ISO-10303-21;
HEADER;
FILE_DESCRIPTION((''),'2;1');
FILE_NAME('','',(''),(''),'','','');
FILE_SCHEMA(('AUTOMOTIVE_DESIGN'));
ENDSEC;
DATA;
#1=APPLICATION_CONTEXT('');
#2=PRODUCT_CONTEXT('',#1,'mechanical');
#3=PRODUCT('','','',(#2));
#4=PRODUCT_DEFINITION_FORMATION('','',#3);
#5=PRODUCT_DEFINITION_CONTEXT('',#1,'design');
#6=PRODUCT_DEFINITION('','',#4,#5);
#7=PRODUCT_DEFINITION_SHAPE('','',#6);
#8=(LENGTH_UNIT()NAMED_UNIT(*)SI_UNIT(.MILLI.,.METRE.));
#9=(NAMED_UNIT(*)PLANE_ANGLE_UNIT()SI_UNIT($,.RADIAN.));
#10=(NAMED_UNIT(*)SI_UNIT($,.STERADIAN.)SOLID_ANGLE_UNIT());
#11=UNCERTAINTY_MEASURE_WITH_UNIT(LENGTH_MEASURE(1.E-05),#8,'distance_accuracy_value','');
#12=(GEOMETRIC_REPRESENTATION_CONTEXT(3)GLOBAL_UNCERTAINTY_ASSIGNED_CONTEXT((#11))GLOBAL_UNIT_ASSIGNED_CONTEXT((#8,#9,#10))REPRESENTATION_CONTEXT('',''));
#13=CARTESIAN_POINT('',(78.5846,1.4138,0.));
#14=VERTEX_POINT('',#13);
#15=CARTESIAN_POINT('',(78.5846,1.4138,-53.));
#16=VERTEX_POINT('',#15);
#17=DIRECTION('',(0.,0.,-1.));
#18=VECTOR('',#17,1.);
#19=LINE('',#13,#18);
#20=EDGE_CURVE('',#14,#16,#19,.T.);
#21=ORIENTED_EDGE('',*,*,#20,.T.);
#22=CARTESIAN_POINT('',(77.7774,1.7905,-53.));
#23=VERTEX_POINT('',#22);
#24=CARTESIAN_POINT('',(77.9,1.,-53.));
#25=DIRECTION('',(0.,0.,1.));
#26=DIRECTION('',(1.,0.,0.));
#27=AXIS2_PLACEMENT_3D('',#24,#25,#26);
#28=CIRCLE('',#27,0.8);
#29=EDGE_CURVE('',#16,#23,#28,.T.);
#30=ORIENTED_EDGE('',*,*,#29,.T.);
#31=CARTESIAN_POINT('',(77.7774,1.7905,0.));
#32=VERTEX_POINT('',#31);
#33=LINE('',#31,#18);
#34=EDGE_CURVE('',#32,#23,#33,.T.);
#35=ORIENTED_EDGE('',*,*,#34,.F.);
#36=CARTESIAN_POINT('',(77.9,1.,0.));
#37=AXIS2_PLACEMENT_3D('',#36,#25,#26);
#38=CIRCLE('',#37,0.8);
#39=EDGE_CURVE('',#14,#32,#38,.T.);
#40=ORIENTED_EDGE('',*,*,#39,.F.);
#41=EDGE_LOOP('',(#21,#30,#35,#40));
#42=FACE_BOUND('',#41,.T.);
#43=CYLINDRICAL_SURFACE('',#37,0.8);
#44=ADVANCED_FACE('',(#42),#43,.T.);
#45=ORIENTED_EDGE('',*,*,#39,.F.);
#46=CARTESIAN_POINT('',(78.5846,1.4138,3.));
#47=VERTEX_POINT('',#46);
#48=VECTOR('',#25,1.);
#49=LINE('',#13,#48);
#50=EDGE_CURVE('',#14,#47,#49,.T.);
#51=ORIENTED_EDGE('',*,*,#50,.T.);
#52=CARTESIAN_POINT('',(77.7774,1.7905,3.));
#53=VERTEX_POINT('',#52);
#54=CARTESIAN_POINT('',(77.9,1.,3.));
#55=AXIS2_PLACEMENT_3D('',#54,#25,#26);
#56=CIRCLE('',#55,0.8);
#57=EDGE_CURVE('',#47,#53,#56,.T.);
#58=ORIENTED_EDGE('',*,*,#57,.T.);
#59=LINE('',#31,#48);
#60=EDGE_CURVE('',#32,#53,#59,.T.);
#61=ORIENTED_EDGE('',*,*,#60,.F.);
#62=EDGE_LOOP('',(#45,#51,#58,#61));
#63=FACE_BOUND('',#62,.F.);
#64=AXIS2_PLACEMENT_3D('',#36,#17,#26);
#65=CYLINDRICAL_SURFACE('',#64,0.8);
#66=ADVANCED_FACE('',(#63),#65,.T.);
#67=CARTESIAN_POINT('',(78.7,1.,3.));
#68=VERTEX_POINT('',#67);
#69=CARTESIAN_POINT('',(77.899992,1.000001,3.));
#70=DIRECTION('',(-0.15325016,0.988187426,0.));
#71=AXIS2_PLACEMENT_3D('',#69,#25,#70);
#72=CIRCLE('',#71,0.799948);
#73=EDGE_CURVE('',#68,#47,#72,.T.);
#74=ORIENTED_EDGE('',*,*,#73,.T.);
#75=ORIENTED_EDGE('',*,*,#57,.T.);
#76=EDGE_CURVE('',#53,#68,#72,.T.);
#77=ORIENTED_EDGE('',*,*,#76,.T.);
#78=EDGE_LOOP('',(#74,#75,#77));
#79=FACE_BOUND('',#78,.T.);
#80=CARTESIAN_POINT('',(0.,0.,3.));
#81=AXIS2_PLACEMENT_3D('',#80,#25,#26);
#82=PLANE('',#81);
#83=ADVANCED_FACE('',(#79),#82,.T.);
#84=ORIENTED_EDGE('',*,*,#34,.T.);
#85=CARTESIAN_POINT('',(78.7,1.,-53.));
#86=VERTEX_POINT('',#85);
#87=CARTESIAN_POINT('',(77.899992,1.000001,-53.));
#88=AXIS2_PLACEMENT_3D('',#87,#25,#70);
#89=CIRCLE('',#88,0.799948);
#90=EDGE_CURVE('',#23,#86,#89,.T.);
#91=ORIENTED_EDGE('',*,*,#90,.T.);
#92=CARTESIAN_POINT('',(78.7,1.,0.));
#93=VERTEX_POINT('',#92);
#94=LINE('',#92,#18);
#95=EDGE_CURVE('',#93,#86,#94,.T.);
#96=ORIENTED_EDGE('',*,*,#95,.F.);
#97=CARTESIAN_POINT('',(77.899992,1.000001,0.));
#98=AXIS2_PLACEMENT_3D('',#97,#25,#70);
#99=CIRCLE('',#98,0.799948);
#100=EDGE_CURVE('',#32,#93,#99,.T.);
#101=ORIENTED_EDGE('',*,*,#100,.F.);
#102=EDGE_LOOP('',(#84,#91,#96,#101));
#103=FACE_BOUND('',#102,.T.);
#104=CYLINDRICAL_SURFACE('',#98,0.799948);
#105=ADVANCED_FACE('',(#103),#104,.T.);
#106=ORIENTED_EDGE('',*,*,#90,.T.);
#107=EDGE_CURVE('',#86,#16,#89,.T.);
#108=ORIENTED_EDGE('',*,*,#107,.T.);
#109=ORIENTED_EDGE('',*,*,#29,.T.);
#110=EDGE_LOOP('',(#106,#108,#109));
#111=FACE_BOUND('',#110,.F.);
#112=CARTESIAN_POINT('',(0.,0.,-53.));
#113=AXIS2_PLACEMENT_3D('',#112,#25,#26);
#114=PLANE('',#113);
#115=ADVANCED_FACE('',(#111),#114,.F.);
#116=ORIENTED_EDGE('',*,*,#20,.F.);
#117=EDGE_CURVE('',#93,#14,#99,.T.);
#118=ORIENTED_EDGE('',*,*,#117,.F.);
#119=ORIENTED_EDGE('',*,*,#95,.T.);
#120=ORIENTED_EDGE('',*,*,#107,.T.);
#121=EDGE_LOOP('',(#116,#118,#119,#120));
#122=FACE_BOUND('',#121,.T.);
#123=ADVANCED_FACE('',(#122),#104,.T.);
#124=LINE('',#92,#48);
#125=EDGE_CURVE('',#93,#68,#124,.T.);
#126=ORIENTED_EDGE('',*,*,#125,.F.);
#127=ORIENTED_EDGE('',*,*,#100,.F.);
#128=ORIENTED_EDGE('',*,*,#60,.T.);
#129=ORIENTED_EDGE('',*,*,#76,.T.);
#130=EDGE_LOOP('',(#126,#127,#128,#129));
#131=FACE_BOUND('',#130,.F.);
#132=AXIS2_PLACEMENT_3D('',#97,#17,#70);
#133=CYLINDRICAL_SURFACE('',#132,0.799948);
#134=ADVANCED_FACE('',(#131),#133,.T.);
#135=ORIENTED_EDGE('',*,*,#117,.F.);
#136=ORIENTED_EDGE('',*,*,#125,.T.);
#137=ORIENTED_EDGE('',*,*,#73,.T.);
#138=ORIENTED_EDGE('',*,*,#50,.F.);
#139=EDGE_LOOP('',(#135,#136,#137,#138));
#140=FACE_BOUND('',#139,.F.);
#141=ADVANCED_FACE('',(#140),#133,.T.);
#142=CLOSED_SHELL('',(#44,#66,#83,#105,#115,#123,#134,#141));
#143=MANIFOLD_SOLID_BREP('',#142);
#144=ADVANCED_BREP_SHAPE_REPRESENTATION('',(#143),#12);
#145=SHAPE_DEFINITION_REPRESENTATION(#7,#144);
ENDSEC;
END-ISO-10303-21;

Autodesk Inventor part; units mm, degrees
ref_plane "YZ Plane" through (0, 0, 0) normal (1, 0, 0) x (0, 1, 0)
ref_plane "XZ Plane" through (0, 0, 0) normal (0, 1, 0) x (-1, 0, 0)
ref_plane "XY Plane" through (0, 0, 0) normal (0, 0, 1) x (1, 0, 0)
ref_plane "Work Plane1" through (0, 0, 0) normal (0, 0, 1) x (1, 0, 0)
sketch "Sketch1" plane through (0, 0, 0) normal (0, 0, 1) x (1, 0, 0)
  arc A0 (77.7774, 1.7905) -> (78.5846, 1.4138) centre (77.9, 1) ccw projected
  circle A1 centre (77.9, 1) radius 0.8
  point P0 (0, 0)
  point P1 (78.5846, 1.4138)
  dimension "d0" = 1.6
extrude "Extrusion1" add sketch "Sketch1" along normal blind 3 and the other way blind 53
properties part number "pin"
